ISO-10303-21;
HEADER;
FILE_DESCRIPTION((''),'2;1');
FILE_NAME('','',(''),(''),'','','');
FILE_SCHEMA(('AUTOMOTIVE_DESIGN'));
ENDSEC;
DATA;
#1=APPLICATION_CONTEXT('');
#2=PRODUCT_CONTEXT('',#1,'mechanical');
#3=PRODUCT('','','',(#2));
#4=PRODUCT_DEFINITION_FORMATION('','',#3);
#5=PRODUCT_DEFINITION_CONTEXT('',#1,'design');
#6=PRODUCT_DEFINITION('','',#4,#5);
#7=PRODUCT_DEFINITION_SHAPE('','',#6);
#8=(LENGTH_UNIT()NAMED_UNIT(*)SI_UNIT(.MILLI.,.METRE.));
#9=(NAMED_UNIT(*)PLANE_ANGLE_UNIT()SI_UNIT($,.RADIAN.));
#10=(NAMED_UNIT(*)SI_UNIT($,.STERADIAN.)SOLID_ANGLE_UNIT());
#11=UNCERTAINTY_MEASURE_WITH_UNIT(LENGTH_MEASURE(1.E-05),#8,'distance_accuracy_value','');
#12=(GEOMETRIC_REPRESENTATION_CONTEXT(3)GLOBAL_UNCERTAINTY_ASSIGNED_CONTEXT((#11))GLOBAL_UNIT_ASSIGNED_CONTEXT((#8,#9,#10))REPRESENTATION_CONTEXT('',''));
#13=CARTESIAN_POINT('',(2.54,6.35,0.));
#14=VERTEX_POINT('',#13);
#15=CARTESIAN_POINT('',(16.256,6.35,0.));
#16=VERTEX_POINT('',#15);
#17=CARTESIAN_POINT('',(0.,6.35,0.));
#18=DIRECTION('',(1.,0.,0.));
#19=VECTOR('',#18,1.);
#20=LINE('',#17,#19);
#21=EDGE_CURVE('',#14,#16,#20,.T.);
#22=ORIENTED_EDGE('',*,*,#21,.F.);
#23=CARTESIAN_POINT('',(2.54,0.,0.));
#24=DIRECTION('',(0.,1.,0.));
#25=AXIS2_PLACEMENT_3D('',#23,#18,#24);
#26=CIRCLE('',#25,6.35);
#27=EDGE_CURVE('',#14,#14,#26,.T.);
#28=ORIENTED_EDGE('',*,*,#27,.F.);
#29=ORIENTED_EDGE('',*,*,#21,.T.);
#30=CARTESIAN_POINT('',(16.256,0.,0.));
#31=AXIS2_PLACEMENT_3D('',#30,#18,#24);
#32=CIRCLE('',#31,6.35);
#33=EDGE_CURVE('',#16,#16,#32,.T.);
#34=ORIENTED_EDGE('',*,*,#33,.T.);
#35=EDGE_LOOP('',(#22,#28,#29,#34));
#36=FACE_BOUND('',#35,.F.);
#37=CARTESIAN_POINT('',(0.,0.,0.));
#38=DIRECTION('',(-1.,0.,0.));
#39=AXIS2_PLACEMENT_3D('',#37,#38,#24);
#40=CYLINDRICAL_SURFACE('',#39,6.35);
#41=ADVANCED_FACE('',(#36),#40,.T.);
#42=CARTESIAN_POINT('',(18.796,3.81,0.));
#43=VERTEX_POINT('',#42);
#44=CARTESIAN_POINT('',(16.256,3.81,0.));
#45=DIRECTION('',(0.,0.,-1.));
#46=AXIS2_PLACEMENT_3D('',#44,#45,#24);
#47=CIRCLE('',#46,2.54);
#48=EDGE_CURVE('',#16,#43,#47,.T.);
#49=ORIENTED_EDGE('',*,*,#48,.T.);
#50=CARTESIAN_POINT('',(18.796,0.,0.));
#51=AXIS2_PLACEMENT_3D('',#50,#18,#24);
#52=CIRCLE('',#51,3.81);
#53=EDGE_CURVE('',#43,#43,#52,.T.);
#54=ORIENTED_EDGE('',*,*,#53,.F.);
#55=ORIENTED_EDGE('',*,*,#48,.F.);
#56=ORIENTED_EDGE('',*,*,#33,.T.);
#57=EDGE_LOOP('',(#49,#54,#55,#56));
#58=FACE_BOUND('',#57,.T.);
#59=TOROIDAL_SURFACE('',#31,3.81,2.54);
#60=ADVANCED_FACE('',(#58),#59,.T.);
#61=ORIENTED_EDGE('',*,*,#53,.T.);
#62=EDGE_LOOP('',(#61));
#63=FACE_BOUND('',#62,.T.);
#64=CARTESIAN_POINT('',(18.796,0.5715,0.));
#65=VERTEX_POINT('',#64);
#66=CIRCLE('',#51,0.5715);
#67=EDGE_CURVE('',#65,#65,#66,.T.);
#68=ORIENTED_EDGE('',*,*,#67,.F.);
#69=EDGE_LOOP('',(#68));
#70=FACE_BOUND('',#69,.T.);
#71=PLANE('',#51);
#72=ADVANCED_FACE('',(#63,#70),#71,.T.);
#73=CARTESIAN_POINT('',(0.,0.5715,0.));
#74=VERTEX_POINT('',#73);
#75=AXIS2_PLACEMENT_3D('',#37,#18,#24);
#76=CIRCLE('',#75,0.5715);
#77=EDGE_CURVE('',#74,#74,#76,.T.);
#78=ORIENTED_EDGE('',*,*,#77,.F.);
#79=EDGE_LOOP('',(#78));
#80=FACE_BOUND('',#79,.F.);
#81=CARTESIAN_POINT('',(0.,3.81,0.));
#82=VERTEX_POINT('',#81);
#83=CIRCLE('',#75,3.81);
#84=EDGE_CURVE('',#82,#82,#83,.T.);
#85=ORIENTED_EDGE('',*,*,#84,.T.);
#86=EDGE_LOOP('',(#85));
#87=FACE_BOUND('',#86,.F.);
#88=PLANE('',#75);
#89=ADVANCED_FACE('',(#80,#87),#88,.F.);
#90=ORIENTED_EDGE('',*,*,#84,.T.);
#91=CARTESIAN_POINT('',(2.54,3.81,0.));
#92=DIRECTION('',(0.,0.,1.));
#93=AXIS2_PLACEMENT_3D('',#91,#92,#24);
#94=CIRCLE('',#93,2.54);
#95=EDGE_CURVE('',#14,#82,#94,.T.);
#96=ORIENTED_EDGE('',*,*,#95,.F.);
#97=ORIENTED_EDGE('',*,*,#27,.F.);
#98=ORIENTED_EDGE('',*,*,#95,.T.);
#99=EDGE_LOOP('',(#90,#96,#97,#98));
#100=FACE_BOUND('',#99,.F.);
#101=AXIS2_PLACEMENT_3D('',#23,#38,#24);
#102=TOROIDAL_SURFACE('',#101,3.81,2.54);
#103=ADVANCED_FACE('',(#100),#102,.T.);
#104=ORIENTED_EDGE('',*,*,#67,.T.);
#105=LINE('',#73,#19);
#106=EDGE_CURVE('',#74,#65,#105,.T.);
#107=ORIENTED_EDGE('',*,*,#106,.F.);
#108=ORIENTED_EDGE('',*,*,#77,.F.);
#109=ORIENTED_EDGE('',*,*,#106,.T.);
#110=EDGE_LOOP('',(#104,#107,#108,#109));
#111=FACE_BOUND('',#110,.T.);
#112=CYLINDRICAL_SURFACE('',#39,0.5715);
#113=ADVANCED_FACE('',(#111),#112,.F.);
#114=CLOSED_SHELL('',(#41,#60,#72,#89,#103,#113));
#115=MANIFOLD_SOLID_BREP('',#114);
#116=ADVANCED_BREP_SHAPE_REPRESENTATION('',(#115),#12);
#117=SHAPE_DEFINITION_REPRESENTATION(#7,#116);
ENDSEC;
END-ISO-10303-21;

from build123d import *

# Parameters (mm, degrees)
SKETCH_R   = 6.35
SKETCH_R_2 = 0.5715
PAD_DEPTH  = 18.796
FILLET_R   = 2.54


with BuildPart() as part:
    # Sketch → Pad (new body)
    with BuildSketch(Plane.YZ):
        Circle(SKETCH_R)
        Circle(SKETCH_R_2, mode=Mode.SUBTRACT)
    extrude(amount=PAD_DEPTH)

    # Fillet
    fillet_edges = [part.edges().sort_by_distance(p)[0] for p in [
        (18.796, -6.35, 0),
        (0, -6.35, 0),
    ]]
    fillet(fillet_edges, radius=FILLET_R)


solid = part.part
